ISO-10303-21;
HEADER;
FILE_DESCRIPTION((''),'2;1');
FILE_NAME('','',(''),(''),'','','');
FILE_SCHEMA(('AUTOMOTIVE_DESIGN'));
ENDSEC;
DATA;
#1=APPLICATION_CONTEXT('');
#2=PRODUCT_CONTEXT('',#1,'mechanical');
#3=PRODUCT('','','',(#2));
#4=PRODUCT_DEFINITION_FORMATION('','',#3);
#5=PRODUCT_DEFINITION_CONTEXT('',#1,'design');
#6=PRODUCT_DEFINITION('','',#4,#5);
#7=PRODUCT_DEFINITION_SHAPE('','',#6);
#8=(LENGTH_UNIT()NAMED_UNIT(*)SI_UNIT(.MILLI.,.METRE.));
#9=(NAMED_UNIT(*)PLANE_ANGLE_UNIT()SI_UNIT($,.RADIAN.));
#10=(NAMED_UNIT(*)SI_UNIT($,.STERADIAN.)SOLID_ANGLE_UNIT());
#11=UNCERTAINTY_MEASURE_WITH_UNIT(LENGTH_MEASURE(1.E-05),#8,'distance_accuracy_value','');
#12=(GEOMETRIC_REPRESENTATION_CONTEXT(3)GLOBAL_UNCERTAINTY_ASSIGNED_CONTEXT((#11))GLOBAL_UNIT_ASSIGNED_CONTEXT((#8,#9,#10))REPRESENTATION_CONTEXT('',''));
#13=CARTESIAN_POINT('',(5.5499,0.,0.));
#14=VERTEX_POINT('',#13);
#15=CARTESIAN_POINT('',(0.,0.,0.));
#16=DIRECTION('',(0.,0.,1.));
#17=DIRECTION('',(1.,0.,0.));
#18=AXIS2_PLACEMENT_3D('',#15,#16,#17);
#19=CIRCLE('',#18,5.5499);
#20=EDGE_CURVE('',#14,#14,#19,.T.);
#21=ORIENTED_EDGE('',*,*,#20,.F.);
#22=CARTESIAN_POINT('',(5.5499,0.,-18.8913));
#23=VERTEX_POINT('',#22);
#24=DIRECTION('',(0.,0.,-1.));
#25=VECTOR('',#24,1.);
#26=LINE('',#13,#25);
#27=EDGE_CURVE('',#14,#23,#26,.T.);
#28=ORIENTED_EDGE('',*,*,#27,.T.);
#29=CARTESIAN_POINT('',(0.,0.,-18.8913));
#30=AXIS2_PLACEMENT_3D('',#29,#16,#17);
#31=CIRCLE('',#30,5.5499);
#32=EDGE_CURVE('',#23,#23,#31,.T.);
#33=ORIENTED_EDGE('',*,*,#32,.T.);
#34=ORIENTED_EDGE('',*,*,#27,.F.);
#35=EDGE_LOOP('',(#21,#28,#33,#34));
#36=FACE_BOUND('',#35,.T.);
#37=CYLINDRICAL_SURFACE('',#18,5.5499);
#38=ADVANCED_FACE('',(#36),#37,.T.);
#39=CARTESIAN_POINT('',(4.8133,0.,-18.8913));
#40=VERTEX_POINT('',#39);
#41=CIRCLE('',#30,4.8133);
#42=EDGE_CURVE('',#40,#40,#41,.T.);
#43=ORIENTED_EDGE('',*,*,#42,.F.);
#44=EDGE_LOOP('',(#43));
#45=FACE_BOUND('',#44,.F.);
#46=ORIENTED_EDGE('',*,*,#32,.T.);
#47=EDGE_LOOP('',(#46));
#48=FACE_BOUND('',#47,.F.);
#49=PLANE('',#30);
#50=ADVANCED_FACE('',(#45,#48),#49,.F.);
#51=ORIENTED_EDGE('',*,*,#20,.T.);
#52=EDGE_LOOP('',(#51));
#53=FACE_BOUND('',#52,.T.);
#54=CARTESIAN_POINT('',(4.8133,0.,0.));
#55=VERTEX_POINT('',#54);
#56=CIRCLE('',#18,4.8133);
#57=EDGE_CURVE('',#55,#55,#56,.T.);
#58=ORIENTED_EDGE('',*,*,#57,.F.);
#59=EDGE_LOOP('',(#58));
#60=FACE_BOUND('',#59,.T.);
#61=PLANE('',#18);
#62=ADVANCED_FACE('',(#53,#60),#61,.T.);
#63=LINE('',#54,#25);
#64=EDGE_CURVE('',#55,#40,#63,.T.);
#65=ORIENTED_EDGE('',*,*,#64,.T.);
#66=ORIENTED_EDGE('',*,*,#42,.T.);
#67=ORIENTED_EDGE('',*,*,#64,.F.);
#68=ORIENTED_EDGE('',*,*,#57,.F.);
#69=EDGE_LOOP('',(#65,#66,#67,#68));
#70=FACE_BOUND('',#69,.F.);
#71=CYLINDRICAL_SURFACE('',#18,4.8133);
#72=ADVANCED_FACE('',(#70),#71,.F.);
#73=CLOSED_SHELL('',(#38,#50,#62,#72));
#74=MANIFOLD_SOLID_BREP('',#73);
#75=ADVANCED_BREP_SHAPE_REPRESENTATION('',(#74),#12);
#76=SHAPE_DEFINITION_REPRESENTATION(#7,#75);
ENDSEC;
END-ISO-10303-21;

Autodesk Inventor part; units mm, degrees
ref_plane "YZ Plane" through (0, 0, 0) normal (1, 0, 0) x (0, 1, 0)
ref_plane "XZ Plane" through (0, 0, 0) normal (0, 1, 0) x (-1, 0, 0)
ref_plane "XY Plane" through (0, 0, 0) normal (0, 0, 1) x (1, 0, 0)
sketch "Sketch1" plane through (0, 0, 0) normal (0, 0, 1) x (1, 0, 0)
  circle A0 centre (0, 0) radius 4.8133
  circle A1 centre (0, 0) radius 5.5499
  dimension "d0" = 9.6266
  dimension "d2" = 11.0998
extrude "Extrusion1" add sketch "Sketch1" against normal blind 18.8913
properties part number "DBK_0820Spacer_am-2243 (modified)" material "Brass, Soft Yellow"
